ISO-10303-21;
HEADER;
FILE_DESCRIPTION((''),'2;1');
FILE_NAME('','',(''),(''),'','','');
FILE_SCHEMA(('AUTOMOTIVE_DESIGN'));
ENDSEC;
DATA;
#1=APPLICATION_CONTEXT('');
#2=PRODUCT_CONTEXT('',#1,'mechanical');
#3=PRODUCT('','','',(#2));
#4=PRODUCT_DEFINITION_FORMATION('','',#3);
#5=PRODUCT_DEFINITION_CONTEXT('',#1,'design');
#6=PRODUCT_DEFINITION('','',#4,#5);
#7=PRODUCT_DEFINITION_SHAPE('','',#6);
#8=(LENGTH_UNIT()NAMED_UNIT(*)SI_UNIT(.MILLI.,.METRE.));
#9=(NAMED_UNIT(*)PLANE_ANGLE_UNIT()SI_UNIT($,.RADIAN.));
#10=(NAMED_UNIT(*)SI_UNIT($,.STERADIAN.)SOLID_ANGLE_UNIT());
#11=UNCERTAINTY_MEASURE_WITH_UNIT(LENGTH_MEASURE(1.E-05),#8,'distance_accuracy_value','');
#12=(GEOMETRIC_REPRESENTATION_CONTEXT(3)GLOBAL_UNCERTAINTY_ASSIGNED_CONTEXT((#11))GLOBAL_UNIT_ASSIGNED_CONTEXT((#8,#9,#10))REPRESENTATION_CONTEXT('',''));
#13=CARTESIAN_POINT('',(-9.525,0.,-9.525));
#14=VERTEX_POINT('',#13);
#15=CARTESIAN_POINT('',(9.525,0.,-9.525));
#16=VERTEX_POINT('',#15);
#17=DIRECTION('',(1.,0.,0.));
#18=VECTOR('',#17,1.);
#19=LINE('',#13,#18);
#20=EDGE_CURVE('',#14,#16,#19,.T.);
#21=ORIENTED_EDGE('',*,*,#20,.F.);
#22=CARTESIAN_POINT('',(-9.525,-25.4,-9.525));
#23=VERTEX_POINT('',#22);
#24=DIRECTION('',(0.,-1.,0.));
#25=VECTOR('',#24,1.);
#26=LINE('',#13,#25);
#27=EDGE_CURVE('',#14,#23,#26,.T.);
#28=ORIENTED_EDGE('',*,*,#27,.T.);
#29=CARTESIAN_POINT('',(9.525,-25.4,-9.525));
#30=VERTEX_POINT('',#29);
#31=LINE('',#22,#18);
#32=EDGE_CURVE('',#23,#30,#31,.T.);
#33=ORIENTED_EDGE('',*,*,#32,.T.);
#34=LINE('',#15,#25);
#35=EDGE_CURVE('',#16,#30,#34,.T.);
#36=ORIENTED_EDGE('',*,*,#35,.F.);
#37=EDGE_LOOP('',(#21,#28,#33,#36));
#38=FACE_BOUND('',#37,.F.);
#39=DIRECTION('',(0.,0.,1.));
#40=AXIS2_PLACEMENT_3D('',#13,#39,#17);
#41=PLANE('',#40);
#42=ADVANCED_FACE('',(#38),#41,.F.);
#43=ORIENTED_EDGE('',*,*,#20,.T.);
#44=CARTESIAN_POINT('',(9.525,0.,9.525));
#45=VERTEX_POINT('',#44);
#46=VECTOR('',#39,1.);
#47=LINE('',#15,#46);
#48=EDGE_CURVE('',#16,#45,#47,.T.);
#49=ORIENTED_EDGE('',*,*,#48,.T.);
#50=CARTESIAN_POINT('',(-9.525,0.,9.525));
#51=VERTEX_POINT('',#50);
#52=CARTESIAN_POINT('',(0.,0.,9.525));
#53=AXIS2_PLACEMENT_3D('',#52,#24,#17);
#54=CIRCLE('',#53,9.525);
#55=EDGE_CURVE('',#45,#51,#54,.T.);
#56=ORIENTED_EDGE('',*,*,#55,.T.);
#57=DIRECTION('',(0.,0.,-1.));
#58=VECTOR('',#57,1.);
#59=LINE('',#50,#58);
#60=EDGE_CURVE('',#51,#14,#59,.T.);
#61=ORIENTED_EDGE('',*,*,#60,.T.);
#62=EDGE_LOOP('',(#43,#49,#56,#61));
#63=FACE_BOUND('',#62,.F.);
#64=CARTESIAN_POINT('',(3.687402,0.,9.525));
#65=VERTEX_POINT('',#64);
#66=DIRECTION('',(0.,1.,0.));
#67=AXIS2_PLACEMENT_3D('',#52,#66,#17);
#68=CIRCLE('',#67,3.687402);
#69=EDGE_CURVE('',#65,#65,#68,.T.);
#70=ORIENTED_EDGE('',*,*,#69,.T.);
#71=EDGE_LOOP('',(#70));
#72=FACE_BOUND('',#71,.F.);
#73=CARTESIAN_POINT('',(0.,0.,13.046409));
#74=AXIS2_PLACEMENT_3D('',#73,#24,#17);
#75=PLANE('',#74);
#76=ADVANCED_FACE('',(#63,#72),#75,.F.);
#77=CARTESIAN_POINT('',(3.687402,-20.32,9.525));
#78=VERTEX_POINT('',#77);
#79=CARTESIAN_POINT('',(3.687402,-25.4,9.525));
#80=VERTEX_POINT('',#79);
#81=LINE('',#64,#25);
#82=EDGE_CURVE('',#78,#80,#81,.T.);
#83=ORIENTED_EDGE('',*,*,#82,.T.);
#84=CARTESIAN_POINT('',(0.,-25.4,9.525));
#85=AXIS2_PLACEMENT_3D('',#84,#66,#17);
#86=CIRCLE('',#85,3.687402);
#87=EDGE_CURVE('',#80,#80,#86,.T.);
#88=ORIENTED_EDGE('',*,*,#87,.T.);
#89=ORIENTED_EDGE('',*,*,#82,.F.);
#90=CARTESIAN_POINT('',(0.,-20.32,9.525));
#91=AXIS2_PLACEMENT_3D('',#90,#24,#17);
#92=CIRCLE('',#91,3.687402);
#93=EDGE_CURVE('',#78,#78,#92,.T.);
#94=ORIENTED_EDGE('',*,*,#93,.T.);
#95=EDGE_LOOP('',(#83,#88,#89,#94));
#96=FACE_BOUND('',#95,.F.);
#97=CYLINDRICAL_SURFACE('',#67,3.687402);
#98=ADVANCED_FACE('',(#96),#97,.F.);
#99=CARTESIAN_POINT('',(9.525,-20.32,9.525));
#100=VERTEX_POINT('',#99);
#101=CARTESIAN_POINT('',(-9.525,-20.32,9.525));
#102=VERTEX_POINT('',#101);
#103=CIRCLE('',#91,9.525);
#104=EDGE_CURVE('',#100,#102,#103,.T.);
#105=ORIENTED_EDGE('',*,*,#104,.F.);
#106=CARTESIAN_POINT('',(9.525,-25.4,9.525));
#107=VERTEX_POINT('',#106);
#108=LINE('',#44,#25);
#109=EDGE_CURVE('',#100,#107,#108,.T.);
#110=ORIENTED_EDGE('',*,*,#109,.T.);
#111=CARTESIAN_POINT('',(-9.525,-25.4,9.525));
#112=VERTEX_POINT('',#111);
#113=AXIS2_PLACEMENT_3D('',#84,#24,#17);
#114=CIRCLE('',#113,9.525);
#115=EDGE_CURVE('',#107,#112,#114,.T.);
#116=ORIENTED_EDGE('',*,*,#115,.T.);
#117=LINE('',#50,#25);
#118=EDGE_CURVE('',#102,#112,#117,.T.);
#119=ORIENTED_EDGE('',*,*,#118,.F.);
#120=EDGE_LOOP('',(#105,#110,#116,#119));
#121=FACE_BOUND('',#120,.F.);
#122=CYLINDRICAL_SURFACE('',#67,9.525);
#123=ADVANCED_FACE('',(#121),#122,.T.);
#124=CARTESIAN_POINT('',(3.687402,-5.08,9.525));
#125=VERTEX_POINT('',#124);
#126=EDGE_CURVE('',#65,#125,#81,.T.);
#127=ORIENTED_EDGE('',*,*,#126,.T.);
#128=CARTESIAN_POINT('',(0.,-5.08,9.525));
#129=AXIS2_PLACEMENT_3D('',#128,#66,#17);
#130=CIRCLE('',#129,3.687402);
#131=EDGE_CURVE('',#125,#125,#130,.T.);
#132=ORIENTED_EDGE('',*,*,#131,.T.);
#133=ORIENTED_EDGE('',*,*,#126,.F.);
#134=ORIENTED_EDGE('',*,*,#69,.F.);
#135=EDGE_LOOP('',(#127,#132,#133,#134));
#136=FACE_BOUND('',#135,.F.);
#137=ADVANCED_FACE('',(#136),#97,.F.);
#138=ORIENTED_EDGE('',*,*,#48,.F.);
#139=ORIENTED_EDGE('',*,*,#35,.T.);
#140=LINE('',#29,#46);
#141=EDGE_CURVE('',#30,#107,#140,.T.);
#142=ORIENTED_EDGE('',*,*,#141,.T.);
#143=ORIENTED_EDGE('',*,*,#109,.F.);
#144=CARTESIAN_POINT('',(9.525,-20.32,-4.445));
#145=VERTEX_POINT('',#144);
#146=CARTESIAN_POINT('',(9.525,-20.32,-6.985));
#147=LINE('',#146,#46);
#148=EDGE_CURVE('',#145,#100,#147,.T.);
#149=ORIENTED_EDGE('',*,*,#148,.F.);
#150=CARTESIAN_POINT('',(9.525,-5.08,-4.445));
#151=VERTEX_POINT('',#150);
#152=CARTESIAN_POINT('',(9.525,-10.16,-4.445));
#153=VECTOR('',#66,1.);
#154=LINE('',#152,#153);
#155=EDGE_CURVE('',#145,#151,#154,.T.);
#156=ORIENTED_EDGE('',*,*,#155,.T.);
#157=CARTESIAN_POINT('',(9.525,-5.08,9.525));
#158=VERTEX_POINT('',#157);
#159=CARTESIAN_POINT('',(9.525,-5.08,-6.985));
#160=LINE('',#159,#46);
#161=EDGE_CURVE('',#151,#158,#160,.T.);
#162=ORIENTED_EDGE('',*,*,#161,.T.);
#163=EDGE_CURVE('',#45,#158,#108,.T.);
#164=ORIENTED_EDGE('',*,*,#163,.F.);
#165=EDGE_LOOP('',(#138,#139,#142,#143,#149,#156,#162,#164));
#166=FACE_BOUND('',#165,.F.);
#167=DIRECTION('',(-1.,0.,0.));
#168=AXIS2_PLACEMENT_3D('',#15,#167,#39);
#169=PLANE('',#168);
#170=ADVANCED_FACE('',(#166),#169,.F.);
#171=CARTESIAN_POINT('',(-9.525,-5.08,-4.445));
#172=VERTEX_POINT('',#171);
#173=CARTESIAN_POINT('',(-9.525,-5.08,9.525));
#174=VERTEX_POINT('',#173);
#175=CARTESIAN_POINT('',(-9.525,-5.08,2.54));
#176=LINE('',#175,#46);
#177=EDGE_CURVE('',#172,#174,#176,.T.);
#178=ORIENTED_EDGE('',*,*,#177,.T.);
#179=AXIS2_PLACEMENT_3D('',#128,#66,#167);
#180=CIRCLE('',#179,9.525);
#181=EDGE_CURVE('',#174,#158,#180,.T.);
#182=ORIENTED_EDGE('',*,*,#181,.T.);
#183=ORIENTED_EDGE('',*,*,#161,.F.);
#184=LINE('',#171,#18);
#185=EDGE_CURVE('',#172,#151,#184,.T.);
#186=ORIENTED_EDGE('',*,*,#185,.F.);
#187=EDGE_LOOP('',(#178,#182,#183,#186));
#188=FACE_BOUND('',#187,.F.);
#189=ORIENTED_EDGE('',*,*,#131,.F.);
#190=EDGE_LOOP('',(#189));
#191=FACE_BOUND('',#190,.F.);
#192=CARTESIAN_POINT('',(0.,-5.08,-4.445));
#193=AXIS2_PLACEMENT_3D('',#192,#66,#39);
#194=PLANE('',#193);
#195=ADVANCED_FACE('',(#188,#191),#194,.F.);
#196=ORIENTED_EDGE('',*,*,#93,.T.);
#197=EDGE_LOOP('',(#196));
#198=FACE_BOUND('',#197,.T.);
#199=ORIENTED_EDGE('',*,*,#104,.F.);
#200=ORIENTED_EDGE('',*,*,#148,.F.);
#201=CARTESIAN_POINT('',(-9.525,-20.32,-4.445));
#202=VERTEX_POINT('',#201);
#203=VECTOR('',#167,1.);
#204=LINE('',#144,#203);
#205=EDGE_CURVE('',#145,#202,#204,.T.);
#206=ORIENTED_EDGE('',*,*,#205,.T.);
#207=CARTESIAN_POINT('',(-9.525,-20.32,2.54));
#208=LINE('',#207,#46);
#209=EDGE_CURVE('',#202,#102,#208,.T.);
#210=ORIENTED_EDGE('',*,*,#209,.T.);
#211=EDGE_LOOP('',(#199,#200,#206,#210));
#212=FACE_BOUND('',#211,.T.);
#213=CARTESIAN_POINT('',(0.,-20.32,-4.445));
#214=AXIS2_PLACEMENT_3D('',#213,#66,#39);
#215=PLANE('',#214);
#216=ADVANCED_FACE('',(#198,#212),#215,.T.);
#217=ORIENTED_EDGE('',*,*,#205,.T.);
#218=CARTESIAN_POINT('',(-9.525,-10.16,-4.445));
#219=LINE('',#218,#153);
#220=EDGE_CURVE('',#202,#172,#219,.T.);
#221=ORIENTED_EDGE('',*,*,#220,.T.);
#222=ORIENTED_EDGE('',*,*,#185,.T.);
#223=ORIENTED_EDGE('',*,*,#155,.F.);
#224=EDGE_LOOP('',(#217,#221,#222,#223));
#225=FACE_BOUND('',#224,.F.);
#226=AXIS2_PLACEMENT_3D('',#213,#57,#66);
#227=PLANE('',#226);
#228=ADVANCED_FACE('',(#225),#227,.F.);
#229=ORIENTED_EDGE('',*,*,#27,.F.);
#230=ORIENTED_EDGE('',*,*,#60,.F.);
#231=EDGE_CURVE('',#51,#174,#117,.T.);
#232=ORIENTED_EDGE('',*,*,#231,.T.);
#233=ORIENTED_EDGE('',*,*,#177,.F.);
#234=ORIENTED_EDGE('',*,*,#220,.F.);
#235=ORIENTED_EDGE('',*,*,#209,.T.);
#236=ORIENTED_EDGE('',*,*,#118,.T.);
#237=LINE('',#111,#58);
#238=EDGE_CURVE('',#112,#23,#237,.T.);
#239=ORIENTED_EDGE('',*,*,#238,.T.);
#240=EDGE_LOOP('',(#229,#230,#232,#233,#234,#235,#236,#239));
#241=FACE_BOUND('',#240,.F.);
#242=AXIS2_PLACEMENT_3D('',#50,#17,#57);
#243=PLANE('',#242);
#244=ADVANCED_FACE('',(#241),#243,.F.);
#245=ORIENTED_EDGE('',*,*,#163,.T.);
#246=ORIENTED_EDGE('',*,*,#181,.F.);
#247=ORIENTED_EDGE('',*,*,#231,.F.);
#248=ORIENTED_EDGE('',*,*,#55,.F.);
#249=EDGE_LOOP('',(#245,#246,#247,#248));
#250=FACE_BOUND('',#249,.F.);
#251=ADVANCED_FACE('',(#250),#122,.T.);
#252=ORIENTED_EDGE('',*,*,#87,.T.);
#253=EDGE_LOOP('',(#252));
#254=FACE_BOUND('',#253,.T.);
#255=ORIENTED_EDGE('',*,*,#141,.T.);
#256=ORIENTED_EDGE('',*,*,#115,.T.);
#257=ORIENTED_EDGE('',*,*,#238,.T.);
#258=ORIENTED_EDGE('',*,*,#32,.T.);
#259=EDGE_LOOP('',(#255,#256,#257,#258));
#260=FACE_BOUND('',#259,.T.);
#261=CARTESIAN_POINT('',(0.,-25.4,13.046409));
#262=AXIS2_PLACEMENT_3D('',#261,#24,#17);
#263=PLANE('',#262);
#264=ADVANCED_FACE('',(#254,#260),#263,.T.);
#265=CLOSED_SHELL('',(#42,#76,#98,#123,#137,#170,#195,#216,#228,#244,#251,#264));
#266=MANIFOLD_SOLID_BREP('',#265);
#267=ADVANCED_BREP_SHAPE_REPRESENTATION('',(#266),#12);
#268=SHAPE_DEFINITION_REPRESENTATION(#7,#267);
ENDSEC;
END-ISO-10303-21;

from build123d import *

# Parameters (mm, degrees)
F1_DEPTH      = 25.4
F2_W          = 15.24
F2_H          = 27.5789452819
F3_DEPTH      = 9.526
F3_DEPTH_BACK = 9.526


with BuildPart() as f1:
    # F0 (on Front) → F1 (new body)
    with BuildSketch(Plane.XZ):
        with BuildLine():
            Line((3.6874021567, 9.525), (9.525, 9.525))
            ThreePointArc((9.525, 9.525), (0, 19.05), (-9.525, 9.525))
            Line((-9.525, 9.525), (-3.6874021567, 9.525))
            ThreePointArc((-3.6874021567, 9.525), (0, 13.2124021567), (3.6874021567, 9.525))
        make_face()
        with BuildLine():
            Line((9.525, -9.525), (9.525, 9.525))
            ThreePointArc((9.525, 9.525), (0, 0), (-9.525, 9.525))
            Line((-9.525, 9.525), (-9.525, -9.525))
            Line((-9.525, -9.525), (9.525, -9.525))
        make_face()
        with BuildLine():
            ThreePointArc((-9.525, 9.525), (0, 0), (9.525, 9.525))
            Line((9.525, 9.525), (3.6874021567, 9.525))
            ThreePointArc((3.6874021567, 9.525), (0, 5.8375978433), (-3.6874021567, 9.525))
            Line((-3.6874021567, 9.525), (-9.525, 9.525))
        make_face()
    extrude(amount=F1_DEPTH)

    # F2 (on Right) → F3 (cut, two sides)
    with BuildSketch(Plane.YZ) as f3_sk:
        with Locations((-12.7, 9.344472641)):
            Rectangle(F2_W, F2_H)
    extrude(amount=F3_DEPTH, mode=Mode.SUBTRACT)
    extrude(f3_sk.sketch, amount=-F3_DEPTH_BACK, mode=Mode.SUBTRACT)


solid = f1.part
